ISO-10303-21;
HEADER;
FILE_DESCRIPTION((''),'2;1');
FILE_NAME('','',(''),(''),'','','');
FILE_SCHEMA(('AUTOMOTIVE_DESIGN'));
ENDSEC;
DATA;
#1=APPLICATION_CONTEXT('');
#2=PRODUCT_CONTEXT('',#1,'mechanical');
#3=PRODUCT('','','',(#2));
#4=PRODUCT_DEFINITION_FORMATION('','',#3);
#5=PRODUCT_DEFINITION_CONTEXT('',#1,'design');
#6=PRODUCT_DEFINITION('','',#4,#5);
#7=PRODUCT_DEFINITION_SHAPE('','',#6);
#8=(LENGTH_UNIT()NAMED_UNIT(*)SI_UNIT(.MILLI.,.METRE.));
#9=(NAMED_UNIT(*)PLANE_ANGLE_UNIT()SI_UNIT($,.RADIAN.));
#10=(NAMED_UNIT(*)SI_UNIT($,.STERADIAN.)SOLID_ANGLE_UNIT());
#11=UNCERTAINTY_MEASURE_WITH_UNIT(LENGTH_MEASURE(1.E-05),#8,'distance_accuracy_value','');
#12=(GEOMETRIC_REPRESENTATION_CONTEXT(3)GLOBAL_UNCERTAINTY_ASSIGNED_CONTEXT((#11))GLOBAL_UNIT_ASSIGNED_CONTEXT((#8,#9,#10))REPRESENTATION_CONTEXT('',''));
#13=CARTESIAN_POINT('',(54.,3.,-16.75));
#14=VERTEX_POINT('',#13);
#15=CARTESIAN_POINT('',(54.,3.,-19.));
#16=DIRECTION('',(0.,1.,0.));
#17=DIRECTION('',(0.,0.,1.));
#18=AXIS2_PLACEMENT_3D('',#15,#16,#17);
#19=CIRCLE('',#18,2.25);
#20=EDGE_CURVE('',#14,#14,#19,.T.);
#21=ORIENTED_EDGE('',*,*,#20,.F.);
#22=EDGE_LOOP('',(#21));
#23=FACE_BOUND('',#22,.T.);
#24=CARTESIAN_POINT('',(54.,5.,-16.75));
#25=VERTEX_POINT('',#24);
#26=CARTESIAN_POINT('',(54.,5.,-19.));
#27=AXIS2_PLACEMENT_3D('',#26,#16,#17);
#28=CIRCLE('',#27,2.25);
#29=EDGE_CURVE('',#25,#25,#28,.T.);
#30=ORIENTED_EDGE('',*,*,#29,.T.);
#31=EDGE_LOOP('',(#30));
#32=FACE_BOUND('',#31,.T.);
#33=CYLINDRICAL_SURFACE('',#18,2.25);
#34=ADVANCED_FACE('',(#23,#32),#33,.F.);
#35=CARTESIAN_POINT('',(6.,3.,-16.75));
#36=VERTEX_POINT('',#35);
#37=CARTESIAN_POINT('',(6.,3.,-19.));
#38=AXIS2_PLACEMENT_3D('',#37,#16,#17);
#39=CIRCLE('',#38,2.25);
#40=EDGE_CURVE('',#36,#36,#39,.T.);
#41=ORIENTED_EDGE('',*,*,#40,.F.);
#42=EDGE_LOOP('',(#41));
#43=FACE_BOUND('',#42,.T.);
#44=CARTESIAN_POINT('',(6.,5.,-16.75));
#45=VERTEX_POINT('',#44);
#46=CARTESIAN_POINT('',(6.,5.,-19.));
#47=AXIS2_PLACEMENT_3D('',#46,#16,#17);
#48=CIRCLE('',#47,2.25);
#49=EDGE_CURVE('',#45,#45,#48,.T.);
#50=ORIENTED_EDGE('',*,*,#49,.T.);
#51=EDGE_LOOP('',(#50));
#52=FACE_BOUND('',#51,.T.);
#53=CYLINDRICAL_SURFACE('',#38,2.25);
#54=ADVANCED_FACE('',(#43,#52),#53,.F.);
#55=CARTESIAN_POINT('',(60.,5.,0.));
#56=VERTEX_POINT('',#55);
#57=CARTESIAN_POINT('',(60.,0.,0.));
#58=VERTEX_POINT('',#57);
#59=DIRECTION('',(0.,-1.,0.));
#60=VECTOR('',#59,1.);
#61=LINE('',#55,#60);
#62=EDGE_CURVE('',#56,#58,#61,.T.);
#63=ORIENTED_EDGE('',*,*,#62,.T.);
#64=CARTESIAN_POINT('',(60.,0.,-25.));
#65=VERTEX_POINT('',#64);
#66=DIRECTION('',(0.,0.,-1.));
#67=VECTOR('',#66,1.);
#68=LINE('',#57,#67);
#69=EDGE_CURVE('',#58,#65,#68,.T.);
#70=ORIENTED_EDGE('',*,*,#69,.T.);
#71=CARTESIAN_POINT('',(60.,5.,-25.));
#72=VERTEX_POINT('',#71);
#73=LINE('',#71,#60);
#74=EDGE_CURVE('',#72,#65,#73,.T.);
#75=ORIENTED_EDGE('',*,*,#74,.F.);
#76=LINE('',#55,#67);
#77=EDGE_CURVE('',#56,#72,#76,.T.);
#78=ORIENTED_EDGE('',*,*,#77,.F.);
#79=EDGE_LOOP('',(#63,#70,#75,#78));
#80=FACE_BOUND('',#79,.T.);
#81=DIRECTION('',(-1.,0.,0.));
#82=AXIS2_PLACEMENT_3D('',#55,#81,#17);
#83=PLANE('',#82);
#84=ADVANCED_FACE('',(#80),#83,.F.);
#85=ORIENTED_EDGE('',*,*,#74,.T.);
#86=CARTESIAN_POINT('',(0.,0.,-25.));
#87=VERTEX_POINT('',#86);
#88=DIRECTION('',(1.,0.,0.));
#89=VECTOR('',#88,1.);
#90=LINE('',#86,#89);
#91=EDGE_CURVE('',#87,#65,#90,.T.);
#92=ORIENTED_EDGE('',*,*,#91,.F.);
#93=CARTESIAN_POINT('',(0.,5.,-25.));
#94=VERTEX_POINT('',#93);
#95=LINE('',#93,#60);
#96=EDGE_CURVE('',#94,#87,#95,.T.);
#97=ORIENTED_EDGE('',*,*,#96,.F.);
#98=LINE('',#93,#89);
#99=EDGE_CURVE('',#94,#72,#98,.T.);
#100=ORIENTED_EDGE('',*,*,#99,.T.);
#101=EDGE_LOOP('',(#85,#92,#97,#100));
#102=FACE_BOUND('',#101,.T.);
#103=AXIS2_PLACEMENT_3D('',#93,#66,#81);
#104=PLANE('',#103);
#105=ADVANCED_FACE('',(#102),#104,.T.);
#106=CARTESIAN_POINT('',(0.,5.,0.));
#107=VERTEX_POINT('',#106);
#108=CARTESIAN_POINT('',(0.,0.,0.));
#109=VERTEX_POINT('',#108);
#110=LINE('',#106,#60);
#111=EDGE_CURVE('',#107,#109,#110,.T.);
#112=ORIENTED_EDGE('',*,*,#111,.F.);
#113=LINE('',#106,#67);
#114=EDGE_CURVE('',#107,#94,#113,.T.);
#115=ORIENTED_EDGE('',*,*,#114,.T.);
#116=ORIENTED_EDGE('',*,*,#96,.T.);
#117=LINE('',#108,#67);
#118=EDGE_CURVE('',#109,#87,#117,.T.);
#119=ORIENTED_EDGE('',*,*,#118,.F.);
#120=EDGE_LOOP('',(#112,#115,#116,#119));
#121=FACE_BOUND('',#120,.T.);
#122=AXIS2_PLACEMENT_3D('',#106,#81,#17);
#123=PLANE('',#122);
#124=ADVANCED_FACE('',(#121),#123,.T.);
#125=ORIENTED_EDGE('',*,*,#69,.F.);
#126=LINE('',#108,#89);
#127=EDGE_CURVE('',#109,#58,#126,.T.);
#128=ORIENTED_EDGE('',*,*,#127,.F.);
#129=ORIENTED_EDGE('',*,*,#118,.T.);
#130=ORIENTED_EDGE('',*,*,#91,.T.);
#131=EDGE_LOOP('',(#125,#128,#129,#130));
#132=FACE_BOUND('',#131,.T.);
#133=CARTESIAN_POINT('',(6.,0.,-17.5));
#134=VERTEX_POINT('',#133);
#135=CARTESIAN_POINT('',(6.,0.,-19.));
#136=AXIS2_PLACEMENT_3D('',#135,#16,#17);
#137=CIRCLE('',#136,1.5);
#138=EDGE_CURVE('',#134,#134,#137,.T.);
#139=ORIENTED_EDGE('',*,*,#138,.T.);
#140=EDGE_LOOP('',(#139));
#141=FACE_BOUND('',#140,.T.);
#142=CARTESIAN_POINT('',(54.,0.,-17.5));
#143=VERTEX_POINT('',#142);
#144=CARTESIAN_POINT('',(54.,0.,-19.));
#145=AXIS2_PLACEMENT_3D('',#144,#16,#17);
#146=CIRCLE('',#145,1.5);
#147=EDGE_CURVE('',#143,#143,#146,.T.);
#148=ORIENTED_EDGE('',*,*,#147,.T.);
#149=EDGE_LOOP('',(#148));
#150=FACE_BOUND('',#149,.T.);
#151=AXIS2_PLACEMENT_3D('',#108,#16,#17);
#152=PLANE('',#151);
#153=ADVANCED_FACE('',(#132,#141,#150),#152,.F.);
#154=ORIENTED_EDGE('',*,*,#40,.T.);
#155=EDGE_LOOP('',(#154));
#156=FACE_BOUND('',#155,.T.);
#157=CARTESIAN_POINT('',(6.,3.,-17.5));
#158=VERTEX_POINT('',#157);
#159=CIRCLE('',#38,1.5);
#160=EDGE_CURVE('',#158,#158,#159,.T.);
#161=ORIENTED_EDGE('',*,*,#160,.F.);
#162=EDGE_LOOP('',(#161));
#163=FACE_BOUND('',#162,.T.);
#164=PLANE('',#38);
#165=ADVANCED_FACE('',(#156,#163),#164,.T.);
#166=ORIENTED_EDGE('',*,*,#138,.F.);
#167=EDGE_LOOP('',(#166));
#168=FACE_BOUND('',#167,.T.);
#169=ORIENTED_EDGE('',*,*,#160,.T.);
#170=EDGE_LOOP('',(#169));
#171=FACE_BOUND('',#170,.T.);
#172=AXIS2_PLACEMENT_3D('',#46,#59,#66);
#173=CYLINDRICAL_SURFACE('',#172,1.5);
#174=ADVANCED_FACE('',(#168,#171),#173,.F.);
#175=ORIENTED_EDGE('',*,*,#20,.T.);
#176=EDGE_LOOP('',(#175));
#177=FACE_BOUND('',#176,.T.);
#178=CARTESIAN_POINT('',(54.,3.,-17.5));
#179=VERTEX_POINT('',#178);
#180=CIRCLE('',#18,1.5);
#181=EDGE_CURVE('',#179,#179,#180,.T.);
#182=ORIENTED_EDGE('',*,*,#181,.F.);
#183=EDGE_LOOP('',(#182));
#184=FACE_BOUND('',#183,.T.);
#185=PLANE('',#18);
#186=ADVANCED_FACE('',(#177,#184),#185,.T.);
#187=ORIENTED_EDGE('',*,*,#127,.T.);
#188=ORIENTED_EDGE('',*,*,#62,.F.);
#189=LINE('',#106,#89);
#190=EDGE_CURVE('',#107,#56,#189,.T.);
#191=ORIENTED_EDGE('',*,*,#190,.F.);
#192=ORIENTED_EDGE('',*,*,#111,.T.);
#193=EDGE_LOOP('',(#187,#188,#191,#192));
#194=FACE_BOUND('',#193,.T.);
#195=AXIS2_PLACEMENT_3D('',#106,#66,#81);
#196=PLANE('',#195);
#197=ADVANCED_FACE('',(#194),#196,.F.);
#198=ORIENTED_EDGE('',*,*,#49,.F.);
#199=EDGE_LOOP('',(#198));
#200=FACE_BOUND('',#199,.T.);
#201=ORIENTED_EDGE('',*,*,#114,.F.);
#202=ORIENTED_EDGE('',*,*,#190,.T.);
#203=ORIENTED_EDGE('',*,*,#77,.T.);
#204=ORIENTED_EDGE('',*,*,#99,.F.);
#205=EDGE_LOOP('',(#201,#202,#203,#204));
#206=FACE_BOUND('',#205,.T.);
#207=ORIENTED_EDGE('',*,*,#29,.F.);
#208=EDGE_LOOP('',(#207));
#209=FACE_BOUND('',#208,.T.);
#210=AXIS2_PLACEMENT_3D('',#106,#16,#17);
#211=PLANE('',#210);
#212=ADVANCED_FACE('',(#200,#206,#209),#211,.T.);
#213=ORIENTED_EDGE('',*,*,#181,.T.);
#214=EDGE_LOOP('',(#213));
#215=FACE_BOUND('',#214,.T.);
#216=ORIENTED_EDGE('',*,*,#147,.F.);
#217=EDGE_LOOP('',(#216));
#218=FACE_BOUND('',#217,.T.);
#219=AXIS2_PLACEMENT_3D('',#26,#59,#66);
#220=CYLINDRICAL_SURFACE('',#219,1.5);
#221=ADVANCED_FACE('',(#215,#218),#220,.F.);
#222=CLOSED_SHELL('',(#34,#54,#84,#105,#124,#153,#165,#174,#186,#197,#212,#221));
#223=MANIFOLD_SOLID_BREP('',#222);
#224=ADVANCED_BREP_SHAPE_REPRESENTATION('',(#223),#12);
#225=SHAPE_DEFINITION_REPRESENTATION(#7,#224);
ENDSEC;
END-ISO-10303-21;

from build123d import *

# Parameters (mm, degrees)
SKETCH1_W           = 60
SKETCH1_H           = 25
SKETCH1_R           = 1.5
BOSS_EXTRUDE1_DEPTH = 5
SKETCH2_R           = 2.25
CUT_EXTRUDE1_DEPTH  = 2


with BuildPart() as part:
    # Sketch1 → Boss-Extrude1 (new body)
    with BuildSketch(Plane(origin=(0, 0, 0), x_dir=(1, 0, 0), z_dir=(0, 1, 0))):
        with Locations((30, 12.5)):
            Rectangle(SKETCH1_W, SKETCH1_H)
        with Locations(Location((6, 19, 0), (0, 0, 270))):
            Circle(SKETCH1_R, mode=Mode.SUBTRACT)
        with Locations(Location((54, 19, 0), (0, 0, 270))):
            Circle(SKETCH1_R, mode=Mode.SUBTRACT)
    extrude(amount=BOSS_EXTRUDE1_DEPTH)

    # Sketch2 → Cut-Extrude1 (cut)
    with BuildSketch(Plane(origin=(0, 5, 0), x_dir=(1, 0, 0), z_dir=(0, 1, 0))):
        with Locations(Location((6, 19, 0), (0, 0, 270))):
            Circle(SKETCH2_R)
        with Locations(Location((54, 19, 0), (0, 0, 270))):
            Circle(SKETCH2_R)
    extrude(amount=-CUT_EXTRUDE1_DEPTH, mode=Mode.SUBTRACT)


solid = part.part
